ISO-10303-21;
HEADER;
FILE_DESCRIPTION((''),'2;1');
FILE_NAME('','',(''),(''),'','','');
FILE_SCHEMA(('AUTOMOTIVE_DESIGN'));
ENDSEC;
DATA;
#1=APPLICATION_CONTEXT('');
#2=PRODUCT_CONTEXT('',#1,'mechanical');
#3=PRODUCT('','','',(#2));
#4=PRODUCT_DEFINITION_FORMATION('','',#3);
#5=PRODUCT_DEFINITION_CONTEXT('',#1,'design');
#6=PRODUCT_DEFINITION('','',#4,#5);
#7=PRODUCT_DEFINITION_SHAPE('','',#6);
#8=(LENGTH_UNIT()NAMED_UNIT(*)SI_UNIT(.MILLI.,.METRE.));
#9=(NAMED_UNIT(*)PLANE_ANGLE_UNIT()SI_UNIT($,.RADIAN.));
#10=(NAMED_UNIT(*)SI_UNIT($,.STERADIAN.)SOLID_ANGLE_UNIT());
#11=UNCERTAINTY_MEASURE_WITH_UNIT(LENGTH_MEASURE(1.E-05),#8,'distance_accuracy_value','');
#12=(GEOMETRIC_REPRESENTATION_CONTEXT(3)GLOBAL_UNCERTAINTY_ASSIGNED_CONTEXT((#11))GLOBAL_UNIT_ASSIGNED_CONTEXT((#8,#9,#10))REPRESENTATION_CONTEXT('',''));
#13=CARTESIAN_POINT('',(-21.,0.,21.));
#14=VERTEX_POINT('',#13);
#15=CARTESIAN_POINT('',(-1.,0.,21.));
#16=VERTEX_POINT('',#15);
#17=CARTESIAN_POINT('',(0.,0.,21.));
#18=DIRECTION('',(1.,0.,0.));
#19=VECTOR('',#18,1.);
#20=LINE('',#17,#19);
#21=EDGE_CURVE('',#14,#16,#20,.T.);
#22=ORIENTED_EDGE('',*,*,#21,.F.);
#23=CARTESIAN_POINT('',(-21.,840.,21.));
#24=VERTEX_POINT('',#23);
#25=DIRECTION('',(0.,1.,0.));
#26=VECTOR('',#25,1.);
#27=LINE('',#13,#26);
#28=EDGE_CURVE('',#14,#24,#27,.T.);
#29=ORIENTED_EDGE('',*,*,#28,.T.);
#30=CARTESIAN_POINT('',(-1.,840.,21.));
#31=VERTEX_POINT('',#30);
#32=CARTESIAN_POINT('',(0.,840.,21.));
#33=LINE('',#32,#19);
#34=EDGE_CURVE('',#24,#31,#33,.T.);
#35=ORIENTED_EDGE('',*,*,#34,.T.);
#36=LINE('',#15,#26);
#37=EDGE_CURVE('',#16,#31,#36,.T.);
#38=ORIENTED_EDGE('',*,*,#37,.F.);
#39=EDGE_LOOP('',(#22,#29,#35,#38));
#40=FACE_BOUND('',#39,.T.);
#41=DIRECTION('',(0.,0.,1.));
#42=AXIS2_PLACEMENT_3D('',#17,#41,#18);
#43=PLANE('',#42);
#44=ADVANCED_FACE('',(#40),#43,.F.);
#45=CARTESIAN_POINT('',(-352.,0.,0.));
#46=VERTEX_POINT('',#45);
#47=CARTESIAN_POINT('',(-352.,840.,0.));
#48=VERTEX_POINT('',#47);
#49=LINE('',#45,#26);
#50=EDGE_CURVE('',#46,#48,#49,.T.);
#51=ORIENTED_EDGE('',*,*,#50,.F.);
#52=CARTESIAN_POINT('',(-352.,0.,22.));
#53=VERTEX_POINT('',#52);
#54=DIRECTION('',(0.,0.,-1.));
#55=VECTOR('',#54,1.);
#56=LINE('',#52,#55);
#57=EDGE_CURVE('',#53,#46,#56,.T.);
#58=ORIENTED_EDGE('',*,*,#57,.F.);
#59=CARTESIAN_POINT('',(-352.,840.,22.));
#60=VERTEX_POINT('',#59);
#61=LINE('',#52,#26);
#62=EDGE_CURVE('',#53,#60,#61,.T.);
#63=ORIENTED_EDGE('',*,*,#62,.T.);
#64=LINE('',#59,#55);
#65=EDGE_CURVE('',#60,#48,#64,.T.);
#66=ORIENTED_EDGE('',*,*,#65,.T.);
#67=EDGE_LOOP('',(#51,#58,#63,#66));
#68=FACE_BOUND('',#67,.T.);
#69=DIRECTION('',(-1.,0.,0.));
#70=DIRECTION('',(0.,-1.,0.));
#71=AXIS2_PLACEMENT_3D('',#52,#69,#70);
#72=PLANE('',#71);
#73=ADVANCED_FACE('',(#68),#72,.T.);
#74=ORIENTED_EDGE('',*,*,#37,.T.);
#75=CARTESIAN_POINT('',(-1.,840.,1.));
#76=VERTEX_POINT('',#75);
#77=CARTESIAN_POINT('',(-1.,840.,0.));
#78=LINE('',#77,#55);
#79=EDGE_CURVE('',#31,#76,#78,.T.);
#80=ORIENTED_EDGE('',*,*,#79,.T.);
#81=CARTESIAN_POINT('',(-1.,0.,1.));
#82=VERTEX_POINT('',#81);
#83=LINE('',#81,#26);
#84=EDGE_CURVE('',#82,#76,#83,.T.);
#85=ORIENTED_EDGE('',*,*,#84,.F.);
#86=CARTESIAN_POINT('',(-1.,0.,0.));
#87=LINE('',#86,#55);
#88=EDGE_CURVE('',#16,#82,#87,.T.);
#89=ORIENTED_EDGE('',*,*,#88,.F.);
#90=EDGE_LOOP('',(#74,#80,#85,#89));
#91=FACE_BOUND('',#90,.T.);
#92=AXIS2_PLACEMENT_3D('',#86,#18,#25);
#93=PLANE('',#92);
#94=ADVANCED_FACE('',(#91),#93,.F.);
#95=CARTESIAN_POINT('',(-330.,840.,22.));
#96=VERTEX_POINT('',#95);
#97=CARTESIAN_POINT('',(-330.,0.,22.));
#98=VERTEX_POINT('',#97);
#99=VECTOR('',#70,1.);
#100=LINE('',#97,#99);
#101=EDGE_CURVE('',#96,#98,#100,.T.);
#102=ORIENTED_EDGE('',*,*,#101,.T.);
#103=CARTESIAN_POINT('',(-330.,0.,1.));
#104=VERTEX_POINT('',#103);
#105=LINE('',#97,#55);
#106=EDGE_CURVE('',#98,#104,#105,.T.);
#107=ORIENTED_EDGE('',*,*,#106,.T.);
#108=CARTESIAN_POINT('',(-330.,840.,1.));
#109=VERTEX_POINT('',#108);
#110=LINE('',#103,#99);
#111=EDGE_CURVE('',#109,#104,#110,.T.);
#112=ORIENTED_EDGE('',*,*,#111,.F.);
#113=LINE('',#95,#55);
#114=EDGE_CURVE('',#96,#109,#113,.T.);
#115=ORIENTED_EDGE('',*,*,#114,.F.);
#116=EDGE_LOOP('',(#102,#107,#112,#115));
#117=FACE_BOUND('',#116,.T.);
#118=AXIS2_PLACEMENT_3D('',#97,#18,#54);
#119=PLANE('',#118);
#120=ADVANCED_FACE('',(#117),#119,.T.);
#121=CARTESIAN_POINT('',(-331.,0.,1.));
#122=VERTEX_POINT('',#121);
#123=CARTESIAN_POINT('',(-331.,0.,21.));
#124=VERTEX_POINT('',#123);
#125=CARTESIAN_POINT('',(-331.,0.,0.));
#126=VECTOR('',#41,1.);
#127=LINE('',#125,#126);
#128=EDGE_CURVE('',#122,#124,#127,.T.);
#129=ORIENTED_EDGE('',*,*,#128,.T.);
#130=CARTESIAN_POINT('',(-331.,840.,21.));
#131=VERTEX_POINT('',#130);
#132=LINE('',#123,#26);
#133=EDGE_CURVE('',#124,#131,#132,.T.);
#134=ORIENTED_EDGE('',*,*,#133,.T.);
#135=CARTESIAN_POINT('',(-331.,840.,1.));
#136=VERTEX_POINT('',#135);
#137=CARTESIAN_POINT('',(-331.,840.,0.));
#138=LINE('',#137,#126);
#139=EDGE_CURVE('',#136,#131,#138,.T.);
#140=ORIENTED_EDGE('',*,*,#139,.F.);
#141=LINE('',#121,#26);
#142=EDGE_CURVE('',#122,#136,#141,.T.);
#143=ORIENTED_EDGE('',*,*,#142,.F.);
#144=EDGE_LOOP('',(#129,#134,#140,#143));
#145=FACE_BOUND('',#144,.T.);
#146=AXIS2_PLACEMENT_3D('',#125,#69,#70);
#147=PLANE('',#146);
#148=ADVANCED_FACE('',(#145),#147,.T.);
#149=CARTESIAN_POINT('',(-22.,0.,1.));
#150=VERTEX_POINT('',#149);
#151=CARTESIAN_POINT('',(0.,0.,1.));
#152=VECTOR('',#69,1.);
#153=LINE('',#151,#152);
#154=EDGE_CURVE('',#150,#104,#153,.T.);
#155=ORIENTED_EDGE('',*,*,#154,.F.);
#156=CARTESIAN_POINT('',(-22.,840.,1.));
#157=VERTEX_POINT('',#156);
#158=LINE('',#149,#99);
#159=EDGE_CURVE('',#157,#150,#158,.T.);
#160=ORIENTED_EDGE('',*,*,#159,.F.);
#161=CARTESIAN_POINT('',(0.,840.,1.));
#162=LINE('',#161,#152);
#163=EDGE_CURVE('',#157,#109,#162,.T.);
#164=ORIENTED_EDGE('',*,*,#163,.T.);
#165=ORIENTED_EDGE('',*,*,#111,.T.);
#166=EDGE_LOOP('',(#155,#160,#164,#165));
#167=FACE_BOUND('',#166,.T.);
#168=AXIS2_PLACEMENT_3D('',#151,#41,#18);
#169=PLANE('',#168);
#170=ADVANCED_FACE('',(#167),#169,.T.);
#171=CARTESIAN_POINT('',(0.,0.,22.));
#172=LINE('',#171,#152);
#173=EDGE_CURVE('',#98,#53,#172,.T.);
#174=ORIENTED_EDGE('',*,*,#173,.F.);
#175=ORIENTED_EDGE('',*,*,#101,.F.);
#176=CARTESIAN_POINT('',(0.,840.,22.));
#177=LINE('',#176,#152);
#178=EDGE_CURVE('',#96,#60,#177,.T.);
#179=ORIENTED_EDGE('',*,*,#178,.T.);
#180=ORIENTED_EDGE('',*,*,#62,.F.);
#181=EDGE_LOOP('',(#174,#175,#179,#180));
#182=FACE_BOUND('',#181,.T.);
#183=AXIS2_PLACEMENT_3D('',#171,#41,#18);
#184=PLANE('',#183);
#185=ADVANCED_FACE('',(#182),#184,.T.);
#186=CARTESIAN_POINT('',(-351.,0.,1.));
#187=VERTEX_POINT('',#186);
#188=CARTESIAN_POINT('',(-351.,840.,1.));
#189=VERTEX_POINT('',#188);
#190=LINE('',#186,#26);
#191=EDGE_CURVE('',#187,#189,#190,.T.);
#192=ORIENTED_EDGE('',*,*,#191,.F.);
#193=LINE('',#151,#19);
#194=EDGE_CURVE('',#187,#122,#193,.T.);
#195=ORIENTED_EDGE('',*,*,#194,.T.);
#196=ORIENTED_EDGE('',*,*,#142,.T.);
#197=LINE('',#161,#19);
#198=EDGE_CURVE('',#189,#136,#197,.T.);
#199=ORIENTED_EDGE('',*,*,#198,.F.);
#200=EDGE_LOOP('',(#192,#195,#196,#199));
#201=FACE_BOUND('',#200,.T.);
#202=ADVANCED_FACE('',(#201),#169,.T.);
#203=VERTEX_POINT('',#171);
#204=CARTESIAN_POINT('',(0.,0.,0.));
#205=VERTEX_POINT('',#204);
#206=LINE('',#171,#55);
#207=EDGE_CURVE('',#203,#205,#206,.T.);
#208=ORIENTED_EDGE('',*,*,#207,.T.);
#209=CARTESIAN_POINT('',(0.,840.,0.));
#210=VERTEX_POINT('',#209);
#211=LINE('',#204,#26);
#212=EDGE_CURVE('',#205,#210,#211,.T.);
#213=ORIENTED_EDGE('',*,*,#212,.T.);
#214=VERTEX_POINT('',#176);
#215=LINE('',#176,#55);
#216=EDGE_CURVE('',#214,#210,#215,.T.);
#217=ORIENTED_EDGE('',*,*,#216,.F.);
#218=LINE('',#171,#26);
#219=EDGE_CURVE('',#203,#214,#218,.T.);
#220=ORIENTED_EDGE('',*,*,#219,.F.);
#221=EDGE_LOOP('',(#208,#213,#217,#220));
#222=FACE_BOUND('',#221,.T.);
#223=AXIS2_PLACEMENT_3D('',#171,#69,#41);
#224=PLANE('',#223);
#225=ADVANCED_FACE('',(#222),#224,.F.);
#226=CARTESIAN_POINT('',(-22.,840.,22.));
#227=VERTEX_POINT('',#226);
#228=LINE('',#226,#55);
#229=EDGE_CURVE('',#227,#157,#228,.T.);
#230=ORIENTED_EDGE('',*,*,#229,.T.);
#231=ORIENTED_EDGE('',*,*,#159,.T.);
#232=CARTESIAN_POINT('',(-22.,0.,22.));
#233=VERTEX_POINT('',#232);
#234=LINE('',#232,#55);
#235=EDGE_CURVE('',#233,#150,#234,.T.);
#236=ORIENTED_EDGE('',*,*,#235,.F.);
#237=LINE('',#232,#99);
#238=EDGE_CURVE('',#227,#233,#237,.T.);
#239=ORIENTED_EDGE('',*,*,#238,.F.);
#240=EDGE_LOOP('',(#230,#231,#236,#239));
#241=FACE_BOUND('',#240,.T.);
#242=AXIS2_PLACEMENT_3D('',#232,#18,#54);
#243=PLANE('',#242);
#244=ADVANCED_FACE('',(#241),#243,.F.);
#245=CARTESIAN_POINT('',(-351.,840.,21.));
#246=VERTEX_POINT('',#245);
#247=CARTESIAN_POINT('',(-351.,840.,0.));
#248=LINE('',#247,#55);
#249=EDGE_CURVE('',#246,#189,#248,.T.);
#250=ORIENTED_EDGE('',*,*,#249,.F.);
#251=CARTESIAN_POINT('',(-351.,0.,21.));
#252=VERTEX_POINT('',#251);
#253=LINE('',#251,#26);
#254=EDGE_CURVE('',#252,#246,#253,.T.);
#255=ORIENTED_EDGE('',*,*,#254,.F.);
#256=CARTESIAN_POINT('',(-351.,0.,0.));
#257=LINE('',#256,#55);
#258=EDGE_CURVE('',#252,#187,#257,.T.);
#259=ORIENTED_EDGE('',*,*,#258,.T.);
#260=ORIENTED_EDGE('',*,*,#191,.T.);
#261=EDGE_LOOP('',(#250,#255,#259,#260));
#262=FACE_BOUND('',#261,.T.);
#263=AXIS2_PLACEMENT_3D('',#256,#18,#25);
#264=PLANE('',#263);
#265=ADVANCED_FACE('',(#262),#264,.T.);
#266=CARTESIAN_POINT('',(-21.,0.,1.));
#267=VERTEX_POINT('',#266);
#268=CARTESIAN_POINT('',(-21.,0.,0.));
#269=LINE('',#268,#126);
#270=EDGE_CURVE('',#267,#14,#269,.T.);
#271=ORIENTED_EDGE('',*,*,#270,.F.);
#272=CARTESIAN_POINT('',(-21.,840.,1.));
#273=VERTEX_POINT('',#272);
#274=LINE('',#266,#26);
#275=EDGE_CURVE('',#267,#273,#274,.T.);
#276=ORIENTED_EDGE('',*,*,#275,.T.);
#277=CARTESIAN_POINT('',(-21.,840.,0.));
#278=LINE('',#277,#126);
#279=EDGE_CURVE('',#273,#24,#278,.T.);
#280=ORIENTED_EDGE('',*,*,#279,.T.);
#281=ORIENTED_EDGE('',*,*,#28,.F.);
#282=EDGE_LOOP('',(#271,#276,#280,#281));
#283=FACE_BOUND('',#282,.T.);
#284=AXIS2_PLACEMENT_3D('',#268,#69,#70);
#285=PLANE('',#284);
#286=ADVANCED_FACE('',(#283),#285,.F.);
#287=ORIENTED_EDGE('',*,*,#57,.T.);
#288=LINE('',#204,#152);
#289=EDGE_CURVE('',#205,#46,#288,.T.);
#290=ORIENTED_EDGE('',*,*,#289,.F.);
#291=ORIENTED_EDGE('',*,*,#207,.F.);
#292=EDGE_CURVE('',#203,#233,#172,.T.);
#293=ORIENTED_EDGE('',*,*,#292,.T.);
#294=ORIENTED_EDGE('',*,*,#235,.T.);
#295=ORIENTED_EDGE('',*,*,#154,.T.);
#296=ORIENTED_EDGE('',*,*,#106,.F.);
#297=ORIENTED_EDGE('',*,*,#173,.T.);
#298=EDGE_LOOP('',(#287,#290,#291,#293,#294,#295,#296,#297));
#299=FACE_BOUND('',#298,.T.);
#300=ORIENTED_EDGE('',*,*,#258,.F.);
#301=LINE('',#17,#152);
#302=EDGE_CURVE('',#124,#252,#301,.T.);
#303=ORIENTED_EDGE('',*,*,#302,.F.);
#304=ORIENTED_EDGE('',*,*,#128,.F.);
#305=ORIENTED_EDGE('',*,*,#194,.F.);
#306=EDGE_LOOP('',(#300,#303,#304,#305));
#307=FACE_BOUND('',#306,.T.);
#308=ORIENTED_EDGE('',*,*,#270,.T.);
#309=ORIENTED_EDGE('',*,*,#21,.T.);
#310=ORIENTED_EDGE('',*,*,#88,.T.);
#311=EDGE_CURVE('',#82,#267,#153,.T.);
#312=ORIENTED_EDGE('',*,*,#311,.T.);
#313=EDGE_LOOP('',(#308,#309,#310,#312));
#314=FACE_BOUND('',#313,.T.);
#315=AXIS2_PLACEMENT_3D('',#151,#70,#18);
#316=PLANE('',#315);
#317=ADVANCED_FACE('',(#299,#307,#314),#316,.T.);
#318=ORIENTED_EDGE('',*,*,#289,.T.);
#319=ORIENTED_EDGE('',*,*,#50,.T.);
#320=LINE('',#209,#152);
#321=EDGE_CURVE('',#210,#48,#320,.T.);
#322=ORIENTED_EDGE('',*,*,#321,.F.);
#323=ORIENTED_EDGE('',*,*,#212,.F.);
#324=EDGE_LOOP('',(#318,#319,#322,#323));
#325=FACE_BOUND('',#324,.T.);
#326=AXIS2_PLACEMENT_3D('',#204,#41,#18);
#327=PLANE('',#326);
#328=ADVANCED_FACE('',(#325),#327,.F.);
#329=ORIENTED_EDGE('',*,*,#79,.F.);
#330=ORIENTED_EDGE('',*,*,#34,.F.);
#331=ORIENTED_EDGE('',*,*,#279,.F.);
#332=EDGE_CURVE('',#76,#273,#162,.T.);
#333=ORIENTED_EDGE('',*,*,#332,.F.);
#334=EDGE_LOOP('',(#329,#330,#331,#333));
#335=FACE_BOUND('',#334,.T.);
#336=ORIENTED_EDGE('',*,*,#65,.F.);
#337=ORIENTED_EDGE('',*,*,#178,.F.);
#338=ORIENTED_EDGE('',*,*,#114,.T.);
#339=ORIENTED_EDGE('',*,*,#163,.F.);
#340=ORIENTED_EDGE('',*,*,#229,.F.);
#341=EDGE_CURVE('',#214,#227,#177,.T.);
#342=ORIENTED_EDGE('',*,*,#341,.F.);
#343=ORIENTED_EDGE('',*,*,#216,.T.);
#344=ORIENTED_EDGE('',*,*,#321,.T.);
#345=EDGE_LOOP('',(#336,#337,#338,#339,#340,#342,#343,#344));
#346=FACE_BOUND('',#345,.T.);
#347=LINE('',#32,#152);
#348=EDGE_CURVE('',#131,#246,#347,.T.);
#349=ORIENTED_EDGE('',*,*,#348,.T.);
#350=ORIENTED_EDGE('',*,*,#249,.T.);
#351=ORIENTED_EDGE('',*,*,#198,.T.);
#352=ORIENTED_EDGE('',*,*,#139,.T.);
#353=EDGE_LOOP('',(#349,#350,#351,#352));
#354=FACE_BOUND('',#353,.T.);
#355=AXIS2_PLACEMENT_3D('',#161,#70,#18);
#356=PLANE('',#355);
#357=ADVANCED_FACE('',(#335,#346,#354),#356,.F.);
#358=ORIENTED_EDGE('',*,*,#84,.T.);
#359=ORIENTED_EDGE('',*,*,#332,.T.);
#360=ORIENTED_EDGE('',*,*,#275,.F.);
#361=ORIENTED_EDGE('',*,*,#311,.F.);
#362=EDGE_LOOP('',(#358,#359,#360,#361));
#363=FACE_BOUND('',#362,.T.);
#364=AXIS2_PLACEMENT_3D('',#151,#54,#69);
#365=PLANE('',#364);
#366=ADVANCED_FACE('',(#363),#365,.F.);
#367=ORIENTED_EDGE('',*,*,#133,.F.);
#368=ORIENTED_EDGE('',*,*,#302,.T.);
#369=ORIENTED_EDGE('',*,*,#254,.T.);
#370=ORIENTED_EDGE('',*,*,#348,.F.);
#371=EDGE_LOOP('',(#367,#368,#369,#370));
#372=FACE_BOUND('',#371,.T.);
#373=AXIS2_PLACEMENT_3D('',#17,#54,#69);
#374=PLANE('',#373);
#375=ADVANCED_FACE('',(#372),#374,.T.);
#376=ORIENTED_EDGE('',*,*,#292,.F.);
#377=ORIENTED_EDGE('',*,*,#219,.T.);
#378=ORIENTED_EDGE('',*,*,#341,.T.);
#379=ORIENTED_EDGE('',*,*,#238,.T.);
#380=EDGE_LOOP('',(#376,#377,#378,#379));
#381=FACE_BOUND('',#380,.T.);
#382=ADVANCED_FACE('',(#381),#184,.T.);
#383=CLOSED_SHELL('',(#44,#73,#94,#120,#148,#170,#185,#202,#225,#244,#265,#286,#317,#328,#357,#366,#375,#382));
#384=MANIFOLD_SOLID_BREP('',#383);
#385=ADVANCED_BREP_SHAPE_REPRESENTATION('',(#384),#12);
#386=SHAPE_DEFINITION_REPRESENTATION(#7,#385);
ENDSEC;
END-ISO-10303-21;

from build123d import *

# Parameters (mm, degrees)
SKETCH_2_W          = 308
SKETCH_2_H          = 840
EXTRUDE_1_DEPTH     = 1
SKETCH_2_3_W        = 22
SKETCH_2_3_H        = 840
EXTRUDE_2_DEPTH     = 22
SKETCH_4_W          = 20
SKETCH_4_H          = 20
CUT_EXTRUDE_1_DEPTH = 840
SKETCH_4_3_W        = 20
SKETCH_4_3_H        = 20
CUT_EXTRUDE_2_DEPTH = 840


with BuildPart() as part:
    # 스케치2 → 보스-돌출1 (new body)
    with BuildSketch(Plane.XY):
        with Locations((-176, 420)):
            Rectangle(SKETCH_2_W, SKETCH_2_H)
    extrude(amount=EXTRUDE_1_DEPTH)

    # 스케치2<3> → 보스-돌출2 (add)
    with BuildSketch(Plane.XY):
        with Locations((-11, 420)):
            Rectangle(SKETCH_2_3_W, SKETCH_2_3_H)
        with Locations((-341, 420)):
            Rectangle(SKETCH_2_3_W, SKETCH_2_3_H)
    extrude(amount=EXTRUDE_2_DEPTH)

    # 스케치4 → 컷-돌출1 (cut)
    with BuildSketch(Plane(origin=(0, 840, 0), x_dir=(1, 0, 0), z_dir=(0, 1, 0))):
        with Locations((-11, -11)):
            Rectangle(SKETCH_4_W, SKETCH_4_H)
    extrude(amount=-CUT_EXTRUDE_1_DEPTH, mode=Mode.SUBTRACT)

    # 스케치4<3> → 컷-돌출2 (cut)
    with BuildSketch(Plane(origin=(0, 840, 0), x_dir=(1, 0, 0), z_dir=(0, 1, 0))):
        with Locations((-341, -11)):
            Rectangle(SKETCH_4_3_W, SKETCH_4_3_H)
    extrude(amount=-CUT_EXTRUDE_2_DEPTH, mode=Mode.SUBTRACT)


solid = part.part
